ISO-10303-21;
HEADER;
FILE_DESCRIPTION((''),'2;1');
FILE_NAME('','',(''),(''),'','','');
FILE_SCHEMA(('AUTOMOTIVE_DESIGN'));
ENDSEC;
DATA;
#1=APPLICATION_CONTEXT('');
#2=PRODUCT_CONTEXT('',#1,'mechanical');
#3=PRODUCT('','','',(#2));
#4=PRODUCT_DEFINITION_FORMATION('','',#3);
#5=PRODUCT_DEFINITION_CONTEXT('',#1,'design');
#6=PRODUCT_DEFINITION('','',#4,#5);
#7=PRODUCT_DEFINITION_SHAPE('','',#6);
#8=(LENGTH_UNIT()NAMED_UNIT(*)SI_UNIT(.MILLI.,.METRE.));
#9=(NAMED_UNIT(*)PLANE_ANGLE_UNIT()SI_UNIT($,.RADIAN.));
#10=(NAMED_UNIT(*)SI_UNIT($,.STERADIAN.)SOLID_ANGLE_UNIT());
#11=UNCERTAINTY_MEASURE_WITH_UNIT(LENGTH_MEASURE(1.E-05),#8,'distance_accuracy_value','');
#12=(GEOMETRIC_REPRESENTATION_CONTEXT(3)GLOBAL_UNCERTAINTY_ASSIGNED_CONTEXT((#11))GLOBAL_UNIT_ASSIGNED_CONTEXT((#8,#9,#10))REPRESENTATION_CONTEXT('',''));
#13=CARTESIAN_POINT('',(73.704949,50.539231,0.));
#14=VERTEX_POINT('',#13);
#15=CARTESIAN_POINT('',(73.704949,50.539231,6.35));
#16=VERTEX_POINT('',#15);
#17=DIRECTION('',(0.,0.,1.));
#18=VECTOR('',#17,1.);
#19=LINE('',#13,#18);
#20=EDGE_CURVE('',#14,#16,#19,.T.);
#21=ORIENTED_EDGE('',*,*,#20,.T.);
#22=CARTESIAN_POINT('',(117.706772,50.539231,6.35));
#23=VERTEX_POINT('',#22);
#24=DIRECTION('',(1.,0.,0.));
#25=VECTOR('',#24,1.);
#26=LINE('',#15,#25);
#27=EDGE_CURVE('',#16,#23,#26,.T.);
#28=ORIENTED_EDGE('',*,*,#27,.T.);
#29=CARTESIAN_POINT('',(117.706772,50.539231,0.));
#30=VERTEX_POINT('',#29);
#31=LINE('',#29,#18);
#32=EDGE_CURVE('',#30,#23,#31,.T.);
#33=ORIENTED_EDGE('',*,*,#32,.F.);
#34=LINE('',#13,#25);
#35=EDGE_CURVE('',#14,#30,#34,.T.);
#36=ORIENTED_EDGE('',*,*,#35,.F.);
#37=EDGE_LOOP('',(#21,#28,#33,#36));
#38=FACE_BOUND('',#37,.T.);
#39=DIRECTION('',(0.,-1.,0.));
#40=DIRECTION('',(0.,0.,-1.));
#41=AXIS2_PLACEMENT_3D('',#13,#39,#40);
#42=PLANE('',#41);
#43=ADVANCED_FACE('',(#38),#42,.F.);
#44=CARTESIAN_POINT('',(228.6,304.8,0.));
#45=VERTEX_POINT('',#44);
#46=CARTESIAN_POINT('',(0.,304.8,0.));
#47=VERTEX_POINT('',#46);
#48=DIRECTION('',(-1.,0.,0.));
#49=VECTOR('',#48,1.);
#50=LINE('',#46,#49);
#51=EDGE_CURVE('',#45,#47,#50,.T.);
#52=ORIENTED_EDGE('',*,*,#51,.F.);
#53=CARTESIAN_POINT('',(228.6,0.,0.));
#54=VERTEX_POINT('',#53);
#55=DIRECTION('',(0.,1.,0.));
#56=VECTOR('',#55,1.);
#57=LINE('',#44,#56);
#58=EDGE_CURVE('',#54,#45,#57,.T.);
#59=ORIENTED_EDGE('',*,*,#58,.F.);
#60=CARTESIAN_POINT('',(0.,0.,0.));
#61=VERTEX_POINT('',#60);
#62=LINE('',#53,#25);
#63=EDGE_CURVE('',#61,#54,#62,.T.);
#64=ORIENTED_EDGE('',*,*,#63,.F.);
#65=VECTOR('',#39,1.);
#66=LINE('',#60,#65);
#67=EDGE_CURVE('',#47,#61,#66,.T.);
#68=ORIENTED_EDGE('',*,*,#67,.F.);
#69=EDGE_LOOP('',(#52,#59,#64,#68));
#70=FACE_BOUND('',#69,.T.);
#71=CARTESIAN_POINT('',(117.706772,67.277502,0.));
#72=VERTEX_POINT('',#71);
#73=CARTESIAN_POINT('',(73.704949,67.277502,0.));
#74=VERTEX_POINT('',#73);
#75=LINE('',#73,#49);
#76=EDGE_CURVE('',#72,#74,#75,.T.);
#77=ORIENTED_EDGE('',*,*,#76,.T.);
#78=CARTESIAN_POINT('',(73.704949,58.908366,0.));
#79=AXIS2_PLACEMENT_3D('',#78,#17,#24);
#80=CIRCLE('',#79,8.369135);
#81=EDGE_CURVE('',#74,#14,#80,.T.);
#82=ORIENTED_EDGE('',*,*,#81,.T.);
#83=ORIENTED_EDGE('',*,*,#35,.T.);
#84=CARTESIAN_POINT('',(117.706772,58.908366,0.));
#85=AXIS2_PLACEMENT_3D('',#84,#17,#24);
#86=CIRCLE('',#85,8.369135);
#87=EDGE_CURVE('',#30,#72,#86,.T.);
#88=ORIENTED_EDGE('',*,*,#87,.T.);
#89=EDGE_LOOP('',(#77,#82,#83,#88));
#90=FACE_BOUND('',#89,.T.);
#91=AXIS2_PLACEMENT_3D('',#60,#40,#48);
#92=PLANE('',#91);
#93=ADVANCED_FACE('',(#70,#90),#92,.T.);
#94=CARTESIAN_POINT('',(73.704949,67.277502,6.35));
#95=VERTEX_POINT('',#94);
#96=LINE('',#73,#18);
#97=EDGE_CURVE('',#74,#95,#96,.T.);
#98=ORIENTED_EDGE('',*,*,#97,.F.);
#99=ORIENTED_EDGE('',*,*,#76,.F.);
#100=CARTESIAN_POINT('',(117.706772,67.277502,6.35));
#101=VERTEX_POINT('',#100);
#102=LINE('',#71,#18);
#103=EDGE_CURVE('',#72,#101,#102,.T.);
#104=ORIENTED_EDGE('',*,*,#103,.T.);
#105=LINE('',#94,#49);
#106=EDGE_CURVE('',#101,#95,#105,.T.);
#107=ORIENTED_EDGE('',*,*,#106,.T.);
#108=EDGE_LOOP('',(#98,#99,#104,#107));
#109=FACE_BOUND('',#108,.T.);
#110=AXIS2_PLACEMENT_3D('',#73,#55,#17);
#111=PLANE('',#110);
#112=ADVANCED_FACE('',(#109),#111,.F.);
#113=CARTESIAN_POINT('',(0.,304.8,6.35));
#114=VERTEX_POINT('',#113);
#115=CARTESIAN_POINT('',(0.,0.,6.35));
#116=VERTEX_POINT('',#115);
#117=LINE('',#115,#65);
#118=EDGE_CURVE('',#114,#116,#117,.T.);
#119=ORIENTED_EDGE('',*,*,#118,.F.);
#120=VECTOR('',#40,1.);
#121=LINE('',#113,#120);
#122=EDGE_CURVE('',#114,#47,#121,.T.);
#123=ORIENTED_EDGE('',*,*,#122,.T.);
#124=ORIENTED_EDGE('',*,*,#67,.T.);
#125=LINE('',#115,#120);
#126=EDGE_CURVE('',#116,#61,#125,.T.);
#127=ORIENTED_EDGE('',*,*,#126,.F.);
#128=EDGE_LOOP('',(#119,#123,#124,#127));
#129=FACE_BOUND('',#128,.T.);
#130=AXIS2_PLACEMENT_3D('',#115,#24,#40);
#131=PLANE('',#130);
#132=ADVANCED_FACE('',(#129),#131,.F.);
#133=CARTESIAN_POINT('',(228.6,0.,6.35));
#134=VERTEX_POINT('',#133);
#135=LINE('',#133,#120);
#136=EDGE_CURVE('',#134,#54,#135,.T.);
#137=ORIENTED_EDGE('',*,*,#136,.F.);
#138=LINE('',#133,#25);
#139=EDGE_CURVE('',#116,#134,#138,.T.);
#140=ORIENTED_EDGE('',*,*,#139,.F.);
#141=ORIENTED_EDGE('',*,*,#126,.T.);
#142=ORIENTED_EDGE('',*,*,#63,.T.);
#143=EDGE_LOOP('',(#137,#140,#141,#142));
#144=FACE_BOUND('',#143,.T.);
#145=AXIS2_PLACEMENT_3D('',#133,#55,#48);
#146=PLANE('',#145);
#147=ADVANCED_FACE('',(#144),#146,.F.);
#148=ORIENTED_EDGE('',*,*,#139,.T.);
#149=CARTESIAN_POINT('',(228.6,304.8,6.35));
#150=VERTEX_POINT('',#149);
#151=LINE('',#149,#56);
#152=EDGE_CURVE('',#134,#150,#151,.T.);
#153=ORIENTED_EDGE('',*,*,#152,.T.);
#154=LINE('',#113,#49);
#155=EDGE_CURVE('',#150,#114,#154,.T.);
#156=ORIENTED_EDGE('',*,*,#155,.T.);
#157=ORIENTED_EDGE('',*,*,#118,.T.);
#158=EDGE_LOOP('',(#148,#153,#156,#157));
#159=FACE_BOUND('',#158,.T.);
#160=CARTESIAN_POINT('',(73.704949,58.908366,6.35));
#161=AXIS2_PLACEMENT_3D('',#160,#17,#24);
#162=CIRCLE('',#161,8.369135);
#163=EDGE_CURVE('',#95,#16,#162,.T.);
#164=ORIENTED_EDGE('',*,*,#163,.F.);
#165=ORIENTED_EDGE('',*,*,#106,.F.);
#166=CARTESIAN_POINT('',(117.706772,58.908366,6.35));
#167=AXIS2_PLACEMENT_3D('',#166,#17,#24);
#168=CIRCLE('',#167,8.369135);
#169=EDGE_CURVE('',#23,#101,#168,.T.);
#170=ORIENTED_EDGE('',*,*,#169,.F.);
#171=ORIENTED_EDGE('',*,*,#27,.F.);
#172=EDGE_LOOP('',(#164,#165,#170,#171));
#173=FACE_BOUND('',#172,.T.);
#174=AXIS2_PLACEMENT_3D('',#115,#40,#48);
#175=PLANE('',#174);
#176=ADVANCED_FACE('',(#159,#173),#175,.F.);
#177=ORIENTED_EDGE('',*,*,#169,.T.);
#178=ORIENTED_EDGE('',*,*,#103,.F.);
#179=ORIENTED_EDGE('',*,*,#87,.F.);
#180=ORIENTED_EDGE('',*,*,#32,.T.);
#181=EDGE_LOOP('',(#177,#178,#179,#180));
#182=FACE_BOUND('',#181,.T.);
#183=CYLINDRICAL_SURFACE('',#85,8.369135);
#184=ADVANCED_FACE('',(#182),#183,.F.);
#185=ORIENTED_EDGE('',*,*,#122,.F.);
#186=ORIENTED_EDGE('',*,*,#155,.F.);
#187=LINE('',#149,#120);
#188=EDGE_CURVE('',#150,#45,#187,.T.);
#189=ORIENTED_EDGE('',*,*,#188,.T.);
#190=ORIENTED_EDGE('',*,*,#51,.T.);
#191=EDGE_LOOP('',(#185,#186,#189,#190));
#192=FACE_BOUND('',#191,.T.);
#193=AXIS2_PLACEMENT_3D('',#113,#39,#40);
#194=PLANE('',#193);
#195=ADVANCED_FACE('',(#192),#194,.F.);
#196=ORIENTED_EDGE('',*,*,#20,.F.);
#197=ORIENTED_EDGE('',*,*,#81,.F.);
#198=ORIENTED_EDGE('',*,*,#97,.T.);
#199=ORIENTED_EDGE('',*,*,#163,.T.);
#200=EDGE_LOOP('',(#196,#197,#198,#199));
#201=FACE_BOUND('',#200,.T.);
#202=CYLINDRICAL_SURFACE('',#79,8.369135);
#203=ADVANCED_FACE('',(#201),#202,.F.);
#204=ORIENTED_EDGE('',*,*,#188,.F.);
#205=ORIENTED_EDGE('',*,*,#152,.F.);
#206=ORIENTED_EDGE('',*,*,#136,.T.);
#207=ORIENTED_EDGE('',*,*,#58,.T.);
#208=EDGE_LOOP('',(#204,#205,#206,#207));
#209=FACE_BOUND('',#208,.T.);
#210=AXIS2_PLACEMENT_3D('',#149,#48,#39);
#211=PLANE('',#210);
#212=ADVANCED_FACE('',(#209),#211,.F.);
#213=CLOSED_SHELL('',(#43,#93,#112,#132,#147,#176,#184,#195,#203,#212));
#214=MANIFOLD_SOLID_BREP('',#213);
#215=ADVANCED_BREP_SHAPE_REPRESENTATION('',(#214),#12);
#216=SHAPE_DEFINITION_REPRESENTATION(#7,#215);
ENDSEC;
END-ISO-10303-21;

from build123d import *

# Parameters (mm, degrees)
SKETCH1_W           = 228.6
SKETCH1_H           = 304.8
BOSS_EXTRUDE1_DEPTH = 6.35
CUT_EXTRUDE1_DEPTH  = 382.052912992


with BuildPart() as part:
    # Sketch1 → Boss-Extrude1 (new body)
    with BuildSketch(Plane.XY):
        with Locations((114.3, 152.4)):
            Rectangle(SKETCH1_W, SKETCH1_H)
    extrude(amount=BOSS_EXTRUDE1_DEPTH)

    # Sketch2 → Cut-Extrude1 (cut, through all)
    with BuildSketch(Plane.XY.offset(6.35)):
        with BuildLine():
            Line((73.704948761, 67.277501562), (117.706772469, 67.277501562))
            ThreePointArc((117.706772469, 67.277501562), (126.075907581, 58.90836645), (117.706772469, 50.539231337))
            Line((117.706772469, 50.539231337), (73.704948761, 50.539231337))
            ThreePointArc((73.704948761, 50.539231337), (65.335813649, 58.90836645), (73.704948761, 67.277501562))
        make_face()
    extrude(amount=-CUT_EXTRUDE1_DEPTH, mode=Mode.SUBTRACT)


solid = part.part
